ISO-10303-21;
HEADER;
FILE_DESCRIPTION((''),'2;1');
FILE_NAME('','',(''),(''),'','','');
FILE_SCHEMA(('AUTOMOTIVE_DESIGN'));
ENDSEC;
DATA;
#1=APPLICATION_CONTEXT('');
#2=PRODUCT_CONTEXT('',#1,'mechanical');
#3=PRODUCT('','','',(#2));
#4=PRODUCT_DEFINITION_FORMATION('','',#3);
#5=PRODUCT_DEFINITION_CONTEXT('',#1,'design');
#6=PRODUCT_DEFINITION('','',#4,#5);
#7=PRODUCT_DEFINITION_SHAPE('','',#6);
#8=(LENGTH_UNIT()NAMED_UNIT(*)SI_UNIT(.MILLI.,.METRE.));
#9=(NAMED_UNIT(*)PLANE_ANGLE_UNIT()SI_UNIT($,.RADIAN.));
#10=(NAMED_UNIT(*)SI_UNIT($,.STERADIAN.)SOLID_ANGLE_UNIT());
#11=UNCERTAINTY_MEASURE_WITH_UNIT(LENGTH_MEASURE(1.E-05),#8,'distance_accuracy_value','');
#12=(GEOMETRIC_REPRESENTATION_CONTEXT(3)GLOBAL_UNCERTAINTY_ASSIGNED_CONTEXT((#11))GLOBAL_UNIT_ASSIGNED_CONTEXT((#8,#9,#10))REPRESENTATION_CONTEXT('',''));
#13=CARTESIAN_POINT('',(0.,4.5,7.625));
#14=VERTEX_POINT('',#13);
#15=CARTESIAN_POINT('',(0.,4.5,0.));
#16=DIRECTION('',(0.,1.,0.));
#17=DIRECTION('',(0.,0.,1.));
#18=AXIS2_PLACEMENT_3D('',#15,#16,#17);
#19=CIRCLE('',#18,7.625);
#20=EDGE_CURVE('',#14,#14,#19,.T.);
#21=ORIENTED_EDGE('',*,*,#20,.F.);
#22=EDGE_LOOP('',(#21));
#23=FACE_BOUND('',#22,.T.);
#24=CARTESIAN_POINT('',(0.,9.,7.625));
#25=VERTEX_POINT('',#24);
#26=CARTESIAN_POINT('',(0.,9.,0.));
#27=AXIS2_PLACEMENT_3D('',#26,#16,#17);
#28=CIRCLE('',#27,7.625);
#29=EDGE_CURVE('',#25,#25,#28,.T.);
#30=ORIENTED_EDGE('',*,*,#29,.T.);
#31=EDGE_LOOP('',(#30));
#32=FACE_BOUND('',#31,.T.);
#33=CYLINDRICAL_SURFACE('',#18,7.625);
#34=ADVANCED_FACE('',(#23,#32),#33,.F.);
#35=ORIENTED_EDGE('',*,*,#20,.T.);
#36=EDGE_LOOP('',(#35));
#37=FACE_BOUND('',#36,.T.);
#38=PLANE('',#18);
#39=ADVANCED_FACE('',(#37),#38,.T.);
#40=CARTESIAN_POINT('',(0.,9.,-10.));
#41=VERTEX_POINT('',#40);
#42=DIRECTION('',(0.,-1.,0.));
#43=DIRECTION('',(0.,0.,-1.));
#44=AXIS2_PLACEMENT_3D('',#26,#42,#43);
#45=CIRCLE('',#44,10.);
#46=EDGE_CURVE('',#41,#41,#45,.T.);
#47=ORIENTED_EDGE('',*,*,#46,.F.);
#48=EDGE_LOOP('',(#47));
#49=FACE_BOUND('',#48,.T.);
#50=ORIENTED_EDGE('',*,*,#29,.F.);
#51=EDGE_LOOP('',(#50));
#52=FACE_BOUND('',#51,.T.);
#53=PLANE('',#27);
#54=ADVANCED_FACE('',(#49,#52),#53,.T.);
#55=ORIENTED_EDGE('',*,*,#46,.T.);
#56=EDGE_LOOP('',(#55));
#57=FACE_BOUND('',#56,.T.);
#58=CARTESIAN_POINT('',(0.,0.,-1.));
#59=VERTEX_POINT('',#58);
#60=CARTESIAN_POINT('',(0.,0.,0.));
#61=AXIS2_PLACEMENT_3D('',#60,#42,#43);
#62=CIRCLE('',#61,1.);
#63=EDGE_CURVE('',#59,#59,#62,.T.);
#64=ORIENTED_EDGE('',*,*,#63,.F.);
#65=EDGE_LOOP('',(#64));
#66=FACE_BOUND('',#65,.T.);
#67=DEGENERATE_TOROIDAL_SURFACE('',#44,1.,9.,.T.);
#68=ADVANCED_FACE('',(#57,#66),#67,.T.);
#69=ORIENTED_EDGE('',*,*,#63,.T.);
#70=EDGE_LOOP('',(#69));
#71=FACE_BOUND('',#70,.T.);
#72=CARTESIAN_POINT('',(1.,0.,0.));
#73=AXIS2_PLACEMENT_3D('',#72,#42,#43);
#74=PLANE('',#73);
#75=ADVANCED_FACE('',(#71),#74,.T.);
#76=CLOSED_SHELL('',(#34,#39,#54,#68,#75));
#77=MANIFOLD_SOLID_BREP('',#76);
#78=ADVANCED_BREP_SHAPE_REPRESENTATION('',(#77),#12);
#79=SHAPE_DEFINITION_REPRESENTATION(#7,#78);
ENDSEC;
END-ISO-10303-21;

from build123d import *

# Parameters (mm, degrees)
SKETCH2_R          = 7.625
CUT_EXTRUDE1_DEPTH = 4.5


with BuildPart() as part:
    # Sketch1 → Revolve2 (revolve)
    with BuildSketch(Plane.XY, mode=Mode.PRIVATE) as revolve2_sk:
        with BuildLine():
            Line((0, 9), (10, 9))
            ThreePointArc((10, 9), (7.363961031, 2.636038969), (1, 0))
            Line((1, 0), (0, 0))
            Line((0, 0), (0, 9))
        make_face()
    revolve(revolve2_sk.sketch.rotate(Axis((0, 0, 0), (0, 1, 0)), 90), axis=Axis((0, 0, 0), (0, 1, 0)))

    # Sketch2 → Cut-Extrude1 (cut)
    with BuildSketch(Plane(origin=(0, 9, 0), x_dir=(1, 0, 0), z_dir=(0, 1, 0))):
        with Locations(Location((0, 0, 0), (0, 0, 270))):
            Circle(SKETCH2_R)
    extrude(amount=-CUT_EXTRUDE1_DEPTH, mode=Mode.SUBTRACT)


solid = part.part
